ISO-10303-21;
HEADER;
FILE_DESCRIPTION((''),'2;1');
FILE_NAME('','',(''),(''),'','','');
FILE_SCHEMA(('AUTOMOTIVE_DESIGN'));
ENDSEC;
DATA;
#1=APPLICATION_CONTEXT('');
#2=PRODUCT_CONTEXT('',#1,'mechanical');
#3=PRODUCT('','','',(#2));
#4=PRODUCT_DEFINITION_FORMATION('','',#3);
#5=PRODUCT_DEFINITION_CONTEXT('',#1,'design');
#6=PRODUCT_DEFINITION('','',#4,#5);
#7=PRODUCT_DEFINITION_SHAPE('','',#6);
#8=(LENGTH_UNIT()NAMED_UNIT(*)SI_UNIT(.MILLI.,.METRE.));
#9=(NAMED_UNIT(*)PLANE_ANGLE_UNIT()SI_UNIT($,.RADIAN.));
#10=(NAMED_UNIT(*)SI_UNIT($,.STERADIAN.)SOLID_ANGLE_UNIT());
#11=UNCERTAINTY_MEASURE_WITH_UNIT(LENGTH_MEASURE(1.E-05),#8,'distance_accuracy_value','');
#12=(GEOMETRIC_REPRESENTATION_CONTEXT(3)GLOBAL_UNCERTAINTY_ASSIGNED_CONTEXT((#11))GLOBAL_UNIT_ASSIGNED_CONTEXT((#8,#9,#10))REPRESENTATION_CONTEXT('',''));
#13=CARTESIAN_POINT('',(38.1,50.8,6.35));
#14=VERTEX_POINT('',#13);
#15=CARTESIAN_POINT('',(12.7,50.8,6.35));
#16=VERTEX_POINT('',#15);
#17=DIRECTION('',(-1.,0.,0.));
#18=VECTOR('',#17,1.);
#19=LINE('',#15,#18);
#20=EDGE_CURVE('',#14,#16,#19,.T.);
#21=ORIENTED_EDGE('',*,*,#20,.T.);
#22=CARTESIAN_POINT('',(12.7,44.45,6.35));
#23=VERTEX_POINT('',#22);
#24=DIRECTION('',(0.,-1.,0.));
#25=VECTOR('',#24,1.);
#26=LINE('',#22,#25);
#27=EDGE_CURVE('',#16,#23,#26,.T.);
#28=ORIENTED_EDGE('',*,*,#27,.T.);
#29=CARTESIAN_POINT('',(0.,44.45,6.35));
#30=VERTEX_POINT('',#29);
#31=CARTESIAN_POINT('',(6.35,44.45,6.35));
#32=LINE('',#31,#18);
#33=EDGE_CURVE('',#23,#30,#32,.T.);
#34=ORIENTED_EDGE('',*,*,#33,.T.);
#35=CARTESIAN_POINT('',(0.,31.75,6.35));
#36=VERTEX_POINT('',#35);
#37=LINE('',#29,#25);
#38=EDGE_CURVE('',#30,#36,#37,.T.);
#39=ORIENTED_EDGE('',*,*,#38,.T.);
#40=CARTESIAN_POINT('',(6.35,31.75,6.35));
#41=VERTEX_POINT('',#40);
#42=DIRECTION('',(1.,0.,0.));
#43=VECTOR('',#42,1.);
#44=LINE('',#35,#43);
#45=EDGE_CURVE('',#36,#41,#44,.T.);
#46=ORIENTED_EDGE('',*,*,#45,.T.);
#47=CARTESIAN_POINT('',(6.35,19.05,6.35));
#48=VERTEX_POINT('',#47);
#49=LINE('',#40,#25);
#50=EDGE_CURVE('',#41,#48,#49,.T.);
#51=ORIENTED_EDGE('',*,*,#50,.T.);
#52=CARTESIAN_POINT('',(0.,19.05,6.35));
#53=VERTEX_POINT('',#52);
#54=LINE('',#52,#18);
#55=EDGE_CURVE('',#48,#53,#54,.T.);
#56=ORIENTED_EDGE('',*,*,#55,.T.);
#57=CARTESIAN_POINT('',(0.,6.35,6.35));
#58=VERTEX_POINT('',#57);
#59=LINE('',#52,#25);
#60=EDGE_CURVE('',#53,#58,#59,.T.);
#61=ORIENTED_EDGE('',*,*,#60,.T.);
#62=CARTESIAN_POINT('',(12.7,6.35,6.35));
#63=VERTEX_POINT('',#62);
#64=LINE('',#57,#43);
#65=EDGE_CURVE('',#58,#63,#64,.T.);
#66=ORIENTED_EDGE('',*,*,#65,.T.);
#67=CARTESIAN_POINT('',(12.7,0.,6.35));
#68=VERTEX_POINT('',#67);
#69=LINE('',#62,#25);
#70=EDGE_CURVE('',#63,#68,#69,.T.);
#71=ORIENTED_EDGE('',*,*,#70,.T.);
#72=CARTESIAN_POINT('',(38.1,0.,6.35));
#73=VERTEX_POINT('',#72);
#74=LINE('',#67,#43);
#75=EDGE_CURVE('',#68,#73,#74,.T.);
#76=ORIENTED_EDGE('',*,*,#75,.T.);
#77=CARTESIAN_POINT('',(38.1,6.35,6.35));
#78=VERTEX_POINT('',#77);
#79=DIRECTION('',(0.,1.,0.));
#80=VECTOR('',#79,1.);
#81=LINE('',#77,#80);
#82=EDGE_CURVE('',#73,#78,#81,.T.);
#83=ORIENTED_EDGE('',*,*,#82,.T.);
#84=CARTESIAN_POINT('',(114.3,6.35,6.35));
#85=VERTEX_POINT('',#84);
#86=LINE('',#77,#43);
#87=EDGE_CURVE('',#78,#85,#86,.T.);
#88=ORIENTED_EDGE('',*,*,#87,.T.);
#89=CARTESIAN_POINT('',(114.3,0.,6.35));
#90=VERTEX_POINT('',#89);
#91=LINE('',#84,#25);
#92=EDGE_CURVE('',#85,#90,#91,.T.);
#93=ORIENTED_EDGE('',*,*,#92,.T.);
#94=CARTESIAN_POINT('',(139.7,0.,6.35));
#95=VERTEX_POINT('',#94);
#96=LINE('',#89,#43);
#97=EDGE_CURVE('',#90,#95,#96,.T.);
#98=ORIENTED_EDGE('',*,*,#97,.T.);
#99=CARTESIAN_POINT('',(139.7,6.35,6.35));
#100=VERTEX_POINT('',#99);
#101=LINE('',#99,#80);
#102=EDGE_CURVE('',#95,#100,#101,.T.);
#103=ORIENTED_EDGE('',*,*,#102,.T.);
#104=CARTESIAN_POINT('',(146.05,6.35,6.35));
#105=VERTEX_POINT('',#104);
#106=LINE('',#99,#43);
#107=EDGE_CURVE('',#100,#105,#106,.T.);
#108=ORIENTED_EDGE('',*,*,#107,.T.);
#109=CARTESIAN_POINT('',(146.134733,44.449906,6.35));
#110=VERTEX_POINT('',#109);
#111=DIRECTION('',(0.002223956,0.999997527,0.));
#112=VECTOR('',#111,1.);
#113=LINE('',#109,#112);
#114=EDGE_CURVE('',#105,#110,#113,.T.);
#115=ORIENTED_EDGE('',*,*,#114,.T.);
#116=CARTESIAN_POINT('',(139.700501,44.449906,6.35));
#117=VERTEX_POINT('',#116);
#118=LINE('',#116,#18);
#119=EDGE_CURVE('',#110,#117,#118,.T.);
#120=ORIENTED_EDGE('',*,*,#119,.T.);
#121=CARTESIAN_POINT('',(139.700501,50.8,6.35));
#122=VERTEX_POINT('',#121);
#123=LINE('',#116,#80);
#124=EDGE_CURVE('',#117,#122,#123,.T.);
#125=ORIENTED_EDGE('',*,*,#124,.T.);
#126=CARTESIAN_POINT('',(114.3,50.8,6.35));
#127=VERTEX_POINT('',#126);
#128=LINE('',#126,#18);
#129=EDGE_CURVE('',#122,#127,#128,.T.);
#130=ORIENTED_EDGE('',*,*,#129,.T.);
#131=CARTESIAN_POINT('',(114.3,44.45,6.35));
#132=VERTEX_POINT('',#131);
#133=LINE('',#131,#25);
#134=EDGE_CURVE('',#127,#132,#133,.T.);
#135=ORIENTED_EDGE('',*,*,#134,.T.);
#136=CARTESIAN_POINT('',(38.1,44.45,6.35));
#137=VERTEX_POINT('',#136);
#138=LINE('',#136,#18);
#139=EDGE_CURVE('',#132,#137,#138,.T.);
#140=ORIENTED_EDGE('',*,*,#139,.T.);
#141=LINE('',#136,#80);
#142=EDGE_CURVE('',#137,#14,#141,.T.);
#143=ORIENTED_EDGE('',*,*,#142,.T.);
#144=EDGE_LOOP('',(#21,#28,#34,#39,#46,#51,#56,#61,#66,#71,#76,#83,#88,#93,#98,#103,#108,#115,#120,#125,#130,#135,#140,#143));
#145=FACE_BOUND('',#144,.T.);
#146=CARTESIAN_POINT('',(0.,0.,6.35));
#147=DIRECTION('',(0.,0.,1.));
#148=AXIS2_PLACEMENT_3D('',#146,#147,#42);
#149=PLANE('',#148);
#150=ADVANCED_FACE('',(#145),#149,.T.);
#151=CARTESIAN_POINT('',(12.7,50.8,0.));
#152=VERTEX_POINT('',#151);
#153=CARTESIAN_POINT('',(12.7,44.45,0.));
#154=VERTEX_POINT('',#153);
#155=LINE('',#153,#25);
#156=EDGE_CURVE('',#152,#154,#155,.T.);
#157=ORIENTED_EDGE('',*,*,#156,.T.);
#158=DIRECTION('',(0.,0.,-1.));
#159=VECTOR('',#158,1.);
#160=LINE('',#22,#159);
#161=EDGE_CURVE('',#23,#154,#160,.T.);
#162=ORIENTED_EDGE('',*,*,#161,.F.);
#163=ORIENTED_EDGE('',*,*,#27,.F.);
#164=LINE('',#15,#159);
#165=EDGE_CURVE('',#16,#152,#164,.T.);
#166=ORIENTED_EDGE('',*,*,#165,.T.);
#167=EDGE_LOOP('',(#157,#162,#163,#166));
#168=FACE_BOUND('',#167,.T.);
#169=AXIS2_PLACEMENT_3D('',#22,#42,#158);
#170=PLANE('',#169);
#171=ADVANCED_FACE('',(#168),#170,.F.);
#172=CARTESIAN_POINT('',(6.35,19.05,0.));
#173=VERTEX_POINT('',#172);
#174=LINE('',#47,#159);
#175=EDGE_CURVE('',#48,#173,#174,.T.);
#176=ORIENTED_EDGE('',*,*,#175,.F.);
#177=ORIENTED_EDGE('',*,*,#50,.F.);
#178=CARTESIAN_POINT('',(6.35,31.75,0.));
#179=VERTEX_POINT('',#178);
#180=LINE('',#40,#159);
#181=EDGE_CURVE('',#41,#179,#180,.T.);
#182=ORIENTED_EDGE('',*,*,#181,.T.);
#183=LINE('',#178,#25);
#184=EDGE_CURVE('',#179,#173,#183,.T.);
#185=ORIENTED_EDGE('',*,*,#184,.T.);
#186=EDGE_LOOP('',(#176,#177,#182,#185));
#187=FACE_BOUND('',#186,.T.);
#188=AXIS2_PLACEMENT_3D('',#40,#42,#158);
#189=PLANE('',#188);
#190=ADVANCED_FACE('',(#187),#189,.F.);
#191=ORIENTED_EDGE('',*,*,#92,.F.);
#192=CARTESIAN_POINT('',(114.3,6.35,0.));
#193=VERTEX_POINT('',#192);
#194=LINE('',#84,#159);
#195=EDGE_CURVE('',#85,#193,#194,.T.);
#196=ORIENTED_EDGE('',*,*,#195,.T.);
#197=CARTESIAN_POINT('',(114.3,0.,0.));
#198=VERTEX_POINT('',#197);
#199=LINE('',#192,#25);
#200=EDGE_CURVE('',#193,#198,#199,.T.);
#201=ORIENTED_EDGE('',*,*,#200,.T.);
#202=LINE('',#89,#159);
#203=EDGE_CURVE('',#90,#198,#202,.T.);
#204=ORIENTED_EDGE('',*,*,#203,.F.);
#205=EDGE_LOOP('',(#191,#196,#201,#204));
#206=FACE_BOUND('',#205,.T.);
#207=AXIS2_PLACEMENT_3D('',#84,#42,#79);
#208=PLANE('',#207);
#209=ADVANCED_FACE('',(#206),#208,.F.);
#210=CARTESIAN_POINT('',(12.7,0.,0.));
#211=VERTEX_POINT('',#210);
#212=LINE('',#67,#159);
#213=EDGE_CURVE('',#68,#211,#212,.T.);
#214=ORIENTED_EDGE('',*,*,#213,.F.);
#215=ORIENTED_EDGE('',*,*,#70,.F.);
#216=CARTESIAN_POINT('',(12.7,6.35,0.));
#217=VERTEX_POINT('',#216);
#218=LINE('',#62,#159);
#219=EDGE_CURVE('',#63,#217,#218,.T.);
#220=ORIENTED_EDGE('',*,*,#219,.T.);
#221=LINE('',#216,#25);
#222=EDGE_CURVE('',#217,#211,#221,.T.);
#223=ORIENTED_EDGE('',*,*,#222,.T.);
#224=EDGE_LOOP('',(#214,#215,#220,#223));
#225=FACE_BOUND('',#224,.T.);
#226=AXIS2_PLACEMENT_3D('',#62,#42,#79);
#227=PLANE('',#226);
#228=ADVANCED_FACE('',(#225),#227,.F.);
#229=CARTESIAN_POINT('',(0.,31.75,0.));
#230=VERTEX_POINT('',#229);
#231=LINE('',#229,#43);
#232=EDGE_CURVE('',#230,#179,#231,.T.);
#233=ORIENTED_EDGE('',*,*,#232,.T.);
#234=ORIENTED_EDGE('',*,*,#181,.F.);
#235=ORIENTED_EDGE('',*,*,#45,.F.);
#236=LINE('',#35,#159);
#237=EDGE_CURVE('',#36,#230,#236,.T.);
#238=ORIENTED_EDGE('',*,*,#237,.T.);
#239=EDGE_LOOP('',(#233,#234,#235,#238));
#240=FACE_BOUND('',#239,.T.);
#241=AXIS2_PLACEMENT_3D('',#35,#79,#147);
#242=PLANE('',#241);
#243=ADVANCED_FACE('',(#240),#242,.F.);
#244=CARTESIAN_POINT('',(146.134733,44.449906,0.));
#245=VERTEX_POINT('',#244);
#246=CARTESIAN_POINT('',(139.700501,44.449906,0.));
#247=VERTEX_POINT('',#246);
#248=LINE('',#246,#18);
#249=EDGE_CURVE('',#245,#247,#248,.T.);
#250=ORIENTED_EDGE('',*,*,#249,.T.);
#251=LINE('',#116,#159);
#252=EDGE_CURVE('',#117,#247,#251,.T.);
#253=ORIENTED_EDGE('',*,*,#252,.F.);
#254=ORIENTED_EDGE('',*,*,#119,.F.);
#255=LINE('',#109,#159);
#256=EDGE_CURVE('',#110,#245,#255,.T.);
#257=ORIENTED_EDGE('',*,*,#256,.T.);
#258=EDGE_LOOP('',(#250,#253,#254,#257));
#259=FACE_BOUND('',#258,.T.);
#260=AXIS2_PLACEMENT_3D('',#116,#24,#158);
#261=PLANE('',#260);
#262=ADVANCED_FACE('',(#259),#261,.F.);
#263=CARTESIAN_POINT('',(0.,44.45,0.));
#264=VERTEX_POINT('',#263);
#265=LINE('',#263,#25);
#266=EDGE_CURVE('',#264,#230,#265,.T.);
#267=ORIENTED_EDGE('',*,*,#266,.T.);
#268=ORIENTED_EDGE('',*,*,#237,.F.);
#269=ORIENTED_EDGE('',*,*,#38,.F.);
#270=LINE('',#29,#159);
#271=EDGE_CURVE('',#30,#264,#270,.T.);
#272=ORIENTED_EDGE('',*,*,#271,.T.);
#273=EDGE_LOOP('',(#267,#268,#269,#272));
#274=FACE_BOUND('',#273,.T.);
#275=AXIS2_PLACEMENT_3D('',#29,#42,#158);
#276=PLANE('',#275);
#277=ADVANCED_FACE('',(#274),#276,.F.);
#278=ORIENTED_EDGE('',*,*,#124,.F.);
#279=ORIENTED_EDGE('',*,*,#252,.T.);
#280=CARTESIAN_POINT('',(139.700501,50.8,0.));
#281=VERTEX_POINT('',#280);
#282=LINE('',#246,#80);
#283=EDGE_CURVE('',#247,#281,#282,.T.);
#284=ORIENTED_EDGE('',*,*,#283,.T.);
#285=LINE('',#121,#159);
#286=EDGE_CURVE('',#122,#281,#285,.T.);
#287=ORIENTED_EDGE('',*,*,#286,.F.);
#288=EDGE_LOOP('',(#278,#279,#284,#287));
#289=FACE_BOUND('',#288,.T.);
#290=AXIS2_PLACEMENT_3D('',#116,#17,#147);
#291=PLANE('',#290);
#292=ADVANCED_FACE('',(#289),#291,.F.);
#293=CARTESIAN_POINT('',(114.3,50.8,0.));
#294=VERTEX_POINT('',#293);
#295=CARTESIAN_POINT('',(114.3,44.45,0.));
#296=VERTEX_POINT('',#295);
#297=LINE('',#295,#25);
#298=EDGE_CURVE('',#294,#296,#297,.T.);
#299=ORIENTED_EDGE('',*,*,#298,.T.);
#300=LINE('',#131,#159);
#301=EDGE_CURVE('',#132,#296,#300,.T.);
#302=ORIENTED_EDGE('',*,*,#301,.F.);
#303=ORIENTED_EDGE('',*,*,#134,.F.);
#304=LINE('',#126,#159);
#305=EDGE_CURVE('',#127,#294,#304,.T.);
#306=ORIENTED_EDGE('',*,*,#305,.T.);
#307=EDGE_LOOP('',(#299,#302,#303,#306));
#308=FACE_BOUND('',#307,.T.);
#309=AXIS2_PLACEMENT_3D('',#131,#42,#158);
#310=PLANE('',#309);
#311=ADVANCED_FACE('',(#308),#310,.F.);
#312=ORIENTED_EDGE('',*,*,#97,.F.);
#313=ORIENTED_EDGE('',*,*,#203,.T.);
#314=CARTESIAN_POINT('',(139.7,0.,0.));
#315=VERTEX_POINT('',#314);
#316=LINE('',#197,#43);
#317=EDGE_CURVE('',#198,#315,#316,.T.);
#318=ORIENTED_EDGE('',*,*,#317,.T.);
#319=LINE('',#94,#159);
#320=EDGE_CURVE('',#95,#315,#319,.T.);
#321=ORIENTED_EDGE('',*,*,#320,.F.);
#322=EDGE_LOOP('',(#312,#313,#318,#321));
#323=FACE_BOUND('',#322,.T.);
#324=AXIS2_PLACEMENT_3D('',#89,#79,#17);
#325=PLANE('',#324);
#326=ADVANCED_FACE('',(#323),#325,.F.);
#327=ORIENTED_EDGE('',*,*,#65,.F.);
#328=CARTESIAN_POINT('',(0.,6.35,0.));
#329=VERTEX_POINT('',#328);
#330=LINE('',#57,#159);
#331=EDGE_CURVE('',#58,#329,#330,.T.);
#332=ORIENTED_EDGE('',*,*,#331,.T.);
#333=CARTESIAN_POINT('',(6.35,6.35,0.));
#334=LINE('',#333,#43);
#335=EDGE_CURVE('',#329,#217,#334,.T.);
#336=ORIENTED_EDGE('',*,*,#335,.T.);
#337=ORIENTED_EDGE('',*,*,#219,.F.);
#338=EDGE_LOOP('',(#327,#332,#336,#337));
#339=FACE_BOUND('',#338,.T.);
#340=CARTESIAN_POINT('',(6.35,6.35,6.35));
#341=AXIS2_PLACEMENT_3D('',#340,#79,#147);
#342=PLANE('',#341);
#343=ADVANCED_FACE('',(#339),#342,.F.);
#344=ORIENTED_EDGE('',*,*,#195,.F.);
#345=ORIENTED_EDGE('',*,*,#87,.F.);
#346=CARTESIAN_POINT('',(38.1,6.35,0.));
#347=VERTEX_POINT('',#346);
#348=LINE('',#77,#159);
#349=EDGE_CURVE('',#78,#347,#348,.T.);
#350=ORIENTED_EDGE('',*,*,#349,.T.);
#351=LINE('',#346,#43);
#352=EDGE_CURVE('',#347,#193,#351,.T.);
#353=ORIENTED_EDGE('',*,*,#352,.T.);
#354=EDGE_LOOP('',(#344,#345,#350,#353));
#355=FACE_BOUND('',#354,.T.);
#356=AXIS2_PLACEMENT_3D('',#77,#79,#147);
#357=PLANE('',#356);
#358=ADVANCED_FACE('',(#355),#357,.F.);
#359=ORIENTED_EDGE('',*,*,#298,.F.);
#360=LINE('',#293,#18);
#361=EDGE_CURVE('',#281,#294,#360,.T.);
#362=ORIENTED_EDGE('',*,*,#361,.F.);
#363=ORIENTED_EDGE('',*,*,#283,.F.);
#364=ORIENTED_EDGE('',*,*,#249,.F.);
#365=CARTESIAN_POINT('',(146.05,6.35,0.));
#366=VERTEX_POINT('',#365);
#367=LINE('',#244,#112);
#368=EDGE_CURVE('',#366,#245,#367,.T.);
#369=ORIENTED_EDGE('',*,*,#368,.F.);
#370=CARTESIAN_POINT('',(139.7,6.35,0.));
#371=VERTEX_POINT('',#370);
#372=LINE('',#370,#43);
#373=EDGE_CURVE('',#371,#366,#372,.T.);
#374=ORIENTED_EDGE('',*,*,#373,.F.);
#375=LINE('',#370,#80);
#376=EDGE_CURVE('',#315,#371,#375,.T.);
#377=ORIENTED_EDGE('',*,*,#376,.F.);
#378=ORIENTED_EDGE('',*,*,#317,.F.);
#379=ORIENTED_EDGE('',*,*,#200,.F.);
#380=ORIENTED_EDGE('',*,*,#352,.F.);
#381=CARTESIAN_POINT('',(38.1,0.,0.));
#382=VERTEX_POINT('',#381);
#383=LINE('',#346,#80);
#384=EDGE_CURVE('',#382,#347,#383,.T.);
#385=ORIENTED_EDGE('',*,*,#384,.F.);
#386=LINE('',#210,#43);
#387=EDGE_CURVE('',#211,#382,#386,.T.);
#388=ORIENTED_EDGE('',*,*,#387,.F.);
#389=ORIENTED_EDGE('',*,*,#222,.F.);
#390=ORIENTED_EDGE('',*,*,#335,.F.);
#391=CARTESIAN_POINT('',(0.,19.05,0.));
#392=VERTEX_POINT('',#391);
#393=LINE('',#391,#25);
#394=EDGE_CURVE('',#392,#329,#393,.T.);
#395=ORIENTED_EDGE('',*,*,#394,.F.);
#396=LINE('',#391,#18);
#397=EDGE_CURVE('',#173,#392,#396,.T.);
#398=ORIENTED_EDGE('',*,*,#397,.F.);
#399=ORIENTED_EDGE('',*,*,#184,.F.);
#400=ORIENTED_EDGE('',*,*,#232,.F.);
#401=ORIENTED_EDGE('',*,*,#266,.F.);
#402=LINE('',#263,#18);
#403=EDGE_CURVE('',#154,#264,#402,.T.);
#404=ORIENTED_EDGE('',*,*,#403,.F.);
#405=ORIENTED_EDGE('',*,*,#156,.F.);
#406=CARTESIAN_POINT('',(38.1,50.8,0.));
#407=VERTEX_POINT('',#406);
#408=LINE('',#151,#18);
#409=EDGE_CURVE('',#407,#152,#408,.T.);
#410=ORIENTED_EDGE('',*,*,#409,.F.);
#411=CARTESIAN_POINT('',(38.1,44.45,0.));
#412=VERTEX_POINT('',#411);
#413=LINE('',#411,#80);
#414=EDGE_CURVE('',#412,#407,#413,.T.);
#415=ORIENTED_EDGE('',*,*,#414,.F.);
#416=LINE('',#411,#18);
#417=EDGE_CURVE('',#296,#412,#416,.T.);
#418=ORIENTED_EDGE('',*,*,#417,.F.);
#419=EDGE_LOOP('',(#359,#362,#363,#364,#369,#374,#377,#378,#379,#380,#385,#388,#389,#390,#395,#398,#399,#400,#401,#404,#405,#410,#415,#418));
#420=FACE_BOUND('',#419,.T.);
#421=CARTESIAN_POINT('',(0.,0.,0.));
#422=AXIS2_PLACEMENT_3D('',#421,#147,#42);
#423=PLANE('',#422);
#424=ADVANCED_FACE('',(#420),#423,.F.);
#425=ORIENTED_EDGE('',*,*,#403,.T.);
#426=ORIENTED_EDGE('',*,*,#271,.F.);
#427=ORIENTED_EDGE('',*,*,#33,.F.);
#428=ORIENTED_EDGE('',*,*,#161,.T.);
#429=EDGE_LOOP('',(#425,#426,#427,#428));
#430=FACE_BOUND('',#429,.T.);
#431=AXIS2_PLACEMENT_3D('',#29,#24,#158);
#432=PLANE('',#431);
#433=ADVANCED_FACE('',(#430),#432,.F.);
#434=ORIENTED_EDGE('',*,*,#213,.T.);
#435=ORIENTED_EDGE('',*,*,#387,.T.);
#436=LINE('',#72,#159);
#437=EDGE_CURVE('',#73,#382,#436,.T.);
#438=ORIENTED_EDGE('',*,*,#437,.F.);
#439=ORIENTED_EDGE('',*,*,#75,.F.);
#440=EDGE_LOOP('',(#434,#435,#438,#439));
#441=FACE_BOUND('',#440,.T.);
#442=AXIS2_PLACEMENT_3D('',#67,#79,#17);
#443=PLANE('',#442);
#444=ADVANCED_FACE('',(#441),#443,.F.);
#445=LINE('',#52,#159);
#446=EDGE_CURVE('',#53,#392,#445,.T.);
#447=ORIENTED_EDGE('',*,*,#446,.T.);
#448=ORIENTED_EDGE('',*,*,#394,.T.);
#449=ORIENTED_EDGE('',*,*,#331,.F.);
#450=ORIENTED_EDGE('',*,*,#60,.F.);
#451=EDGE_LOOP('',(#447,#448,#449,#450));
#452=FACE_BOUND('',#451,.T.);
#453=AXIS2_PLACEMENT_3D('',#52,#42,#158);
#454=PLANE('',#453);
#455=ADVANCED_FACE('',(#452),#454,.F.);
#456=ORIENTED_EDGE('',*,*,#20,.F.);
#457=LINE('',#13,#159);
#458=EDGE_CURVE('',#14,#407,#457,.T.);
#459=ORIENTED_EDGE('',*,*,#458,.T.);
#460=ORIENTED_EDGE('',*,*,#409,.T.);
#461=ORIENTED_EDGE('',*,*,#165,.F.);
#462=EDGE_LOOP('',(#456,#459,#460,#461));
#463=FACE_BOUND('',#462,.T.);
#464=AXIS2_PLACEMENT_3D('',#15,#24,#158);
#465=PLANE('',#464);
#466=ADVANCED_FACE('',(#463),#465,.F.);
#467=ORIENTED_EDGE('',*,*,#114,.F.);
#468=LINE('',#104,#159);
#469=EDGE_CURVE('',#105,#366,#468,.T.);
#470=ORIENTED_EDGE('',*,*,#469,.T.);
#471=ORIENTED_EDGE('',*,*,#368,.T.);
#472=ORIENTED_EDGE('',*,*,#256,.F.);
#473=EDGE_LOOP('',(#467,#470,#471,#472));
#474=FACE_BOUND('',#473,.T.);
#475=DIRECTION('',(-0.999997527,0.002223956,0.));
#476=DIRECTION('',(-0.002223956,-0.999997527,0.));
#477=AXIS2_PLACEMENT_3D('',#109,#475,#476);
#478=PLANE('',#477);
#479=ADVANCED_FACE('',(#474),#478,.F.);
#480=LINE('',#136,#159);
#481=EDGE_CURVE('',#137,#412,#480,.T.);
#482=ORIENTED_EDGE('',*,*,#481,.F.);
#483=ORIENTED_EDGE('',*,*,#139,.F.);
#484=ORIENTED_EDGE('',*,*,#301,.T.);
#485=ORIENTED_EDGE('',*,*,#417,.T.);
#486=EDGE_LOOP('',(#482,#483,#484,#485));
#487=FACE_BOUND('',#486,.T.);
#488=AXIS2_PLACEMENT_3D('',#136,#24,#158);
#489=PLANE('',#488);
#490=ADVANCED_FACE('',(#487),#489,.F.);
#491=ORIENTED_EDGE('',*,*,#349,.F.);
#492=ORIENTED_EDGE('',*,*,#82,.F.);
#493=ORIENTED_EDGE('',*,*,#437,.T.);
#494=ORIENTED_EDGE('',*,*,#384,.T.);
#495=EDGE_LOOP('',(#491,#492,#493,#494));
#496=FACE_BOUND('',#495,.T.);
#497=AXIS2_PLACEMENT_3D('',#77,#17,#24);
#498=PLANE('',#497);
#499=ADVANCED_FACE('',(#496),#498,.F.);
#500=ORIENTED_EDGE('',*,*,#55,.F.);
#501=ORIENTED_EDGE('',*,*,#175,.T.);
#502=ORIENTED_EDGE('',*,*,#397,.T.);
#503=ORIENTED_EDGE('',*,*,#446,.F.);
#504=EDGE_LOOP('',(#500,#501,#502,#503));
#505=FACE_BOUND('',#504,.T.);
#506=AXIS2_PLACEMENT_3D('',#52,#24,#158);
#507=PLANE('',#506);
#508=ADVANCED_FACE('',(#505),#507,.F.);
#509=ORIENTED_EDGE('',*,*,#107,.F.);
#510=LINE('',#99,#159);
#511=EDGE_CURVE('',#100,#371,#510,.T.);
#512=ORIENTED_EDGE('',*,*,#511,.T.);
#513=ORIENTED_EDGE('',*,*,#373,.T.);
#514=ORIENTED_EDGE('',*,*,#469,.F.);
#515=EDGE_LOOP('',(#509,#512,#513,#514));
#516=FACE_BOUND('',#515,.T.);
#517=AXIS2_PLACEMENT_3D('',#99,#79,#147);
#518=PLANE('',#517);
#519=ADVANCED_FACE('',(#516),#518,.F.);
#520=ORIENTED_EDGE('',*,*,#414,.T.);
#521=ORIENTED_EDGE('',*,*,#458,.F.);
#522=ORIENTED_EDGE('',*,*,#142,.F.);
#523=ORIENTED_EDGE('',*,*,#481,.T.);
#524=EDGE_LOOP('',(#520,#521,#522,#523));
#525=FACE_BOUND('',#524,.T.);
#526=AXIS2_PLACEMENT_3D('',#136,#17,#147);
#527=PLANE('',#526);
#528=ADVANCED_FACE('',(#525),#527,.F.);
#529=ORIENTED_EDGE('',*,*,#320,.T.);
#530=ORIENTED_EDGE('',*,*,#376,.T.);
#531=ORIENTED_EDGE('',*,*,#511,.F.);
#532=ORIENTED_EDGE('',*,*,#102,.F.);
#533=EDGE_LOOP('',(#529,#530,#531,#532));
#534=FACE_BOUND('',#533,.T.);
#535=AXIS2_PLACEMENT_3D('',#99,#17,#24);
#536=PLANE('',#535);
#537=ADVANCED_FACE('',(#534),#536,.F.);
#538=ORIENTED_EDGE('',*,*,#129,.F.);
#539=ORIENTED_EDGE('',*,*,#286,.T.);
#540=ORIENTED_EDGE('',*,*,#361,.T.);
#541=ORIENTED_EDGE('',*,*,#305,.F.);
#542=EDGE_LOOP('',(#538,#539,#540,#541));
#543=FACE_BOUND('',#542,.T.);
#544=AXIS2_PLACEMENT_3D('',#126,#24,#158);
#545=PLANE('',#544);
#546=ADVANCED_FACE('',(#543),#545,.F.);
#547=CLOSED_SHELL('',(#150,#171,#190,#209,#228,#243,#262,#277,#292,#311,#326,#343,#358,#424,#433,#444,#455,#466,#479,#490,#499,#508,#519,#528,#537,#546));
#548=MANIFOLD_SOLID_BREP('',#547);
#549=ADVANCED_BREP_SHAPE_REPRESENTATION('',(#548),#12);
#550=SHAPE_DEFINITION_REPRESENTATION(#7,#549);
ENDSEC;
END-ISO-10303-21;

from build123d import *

# Parameters (mm, degrees)
BOSS_EXTRUDE1_DEPTH = 6.35


with BuildPart() as part:
    # Sketch1 → Boss-Extrude1 (new body)
    with BuildSketch(Plane.XY):
        Polygon((0, 44.45), (6.35, 44.45), (12.7, 44.45), (12.7, 50.8), (38.1, 50.8), (38.1, 44.45), (114.3, 44.45), (114.3, 50.8), (139.700500833, 50.8), (139.700500833, 44.449905779), (146.134732736, 44.449905779), (146.05, 6.35), (139.7, 6.35), (139.7, 0), (114.3, 0), (114.3, 6.35), (38.1, 6.35), (38.1, 0), (12.7, 0), (12.7, 6.35), (6.35, 6.35), (0, 6.35), (0, 19.05), (6.35, 19.05), (6.35, 31.75), (0, 31.75), align=None)
    extrude(amount=BOSS_EXTRUDE1_DEPTH)


solid = part.part
